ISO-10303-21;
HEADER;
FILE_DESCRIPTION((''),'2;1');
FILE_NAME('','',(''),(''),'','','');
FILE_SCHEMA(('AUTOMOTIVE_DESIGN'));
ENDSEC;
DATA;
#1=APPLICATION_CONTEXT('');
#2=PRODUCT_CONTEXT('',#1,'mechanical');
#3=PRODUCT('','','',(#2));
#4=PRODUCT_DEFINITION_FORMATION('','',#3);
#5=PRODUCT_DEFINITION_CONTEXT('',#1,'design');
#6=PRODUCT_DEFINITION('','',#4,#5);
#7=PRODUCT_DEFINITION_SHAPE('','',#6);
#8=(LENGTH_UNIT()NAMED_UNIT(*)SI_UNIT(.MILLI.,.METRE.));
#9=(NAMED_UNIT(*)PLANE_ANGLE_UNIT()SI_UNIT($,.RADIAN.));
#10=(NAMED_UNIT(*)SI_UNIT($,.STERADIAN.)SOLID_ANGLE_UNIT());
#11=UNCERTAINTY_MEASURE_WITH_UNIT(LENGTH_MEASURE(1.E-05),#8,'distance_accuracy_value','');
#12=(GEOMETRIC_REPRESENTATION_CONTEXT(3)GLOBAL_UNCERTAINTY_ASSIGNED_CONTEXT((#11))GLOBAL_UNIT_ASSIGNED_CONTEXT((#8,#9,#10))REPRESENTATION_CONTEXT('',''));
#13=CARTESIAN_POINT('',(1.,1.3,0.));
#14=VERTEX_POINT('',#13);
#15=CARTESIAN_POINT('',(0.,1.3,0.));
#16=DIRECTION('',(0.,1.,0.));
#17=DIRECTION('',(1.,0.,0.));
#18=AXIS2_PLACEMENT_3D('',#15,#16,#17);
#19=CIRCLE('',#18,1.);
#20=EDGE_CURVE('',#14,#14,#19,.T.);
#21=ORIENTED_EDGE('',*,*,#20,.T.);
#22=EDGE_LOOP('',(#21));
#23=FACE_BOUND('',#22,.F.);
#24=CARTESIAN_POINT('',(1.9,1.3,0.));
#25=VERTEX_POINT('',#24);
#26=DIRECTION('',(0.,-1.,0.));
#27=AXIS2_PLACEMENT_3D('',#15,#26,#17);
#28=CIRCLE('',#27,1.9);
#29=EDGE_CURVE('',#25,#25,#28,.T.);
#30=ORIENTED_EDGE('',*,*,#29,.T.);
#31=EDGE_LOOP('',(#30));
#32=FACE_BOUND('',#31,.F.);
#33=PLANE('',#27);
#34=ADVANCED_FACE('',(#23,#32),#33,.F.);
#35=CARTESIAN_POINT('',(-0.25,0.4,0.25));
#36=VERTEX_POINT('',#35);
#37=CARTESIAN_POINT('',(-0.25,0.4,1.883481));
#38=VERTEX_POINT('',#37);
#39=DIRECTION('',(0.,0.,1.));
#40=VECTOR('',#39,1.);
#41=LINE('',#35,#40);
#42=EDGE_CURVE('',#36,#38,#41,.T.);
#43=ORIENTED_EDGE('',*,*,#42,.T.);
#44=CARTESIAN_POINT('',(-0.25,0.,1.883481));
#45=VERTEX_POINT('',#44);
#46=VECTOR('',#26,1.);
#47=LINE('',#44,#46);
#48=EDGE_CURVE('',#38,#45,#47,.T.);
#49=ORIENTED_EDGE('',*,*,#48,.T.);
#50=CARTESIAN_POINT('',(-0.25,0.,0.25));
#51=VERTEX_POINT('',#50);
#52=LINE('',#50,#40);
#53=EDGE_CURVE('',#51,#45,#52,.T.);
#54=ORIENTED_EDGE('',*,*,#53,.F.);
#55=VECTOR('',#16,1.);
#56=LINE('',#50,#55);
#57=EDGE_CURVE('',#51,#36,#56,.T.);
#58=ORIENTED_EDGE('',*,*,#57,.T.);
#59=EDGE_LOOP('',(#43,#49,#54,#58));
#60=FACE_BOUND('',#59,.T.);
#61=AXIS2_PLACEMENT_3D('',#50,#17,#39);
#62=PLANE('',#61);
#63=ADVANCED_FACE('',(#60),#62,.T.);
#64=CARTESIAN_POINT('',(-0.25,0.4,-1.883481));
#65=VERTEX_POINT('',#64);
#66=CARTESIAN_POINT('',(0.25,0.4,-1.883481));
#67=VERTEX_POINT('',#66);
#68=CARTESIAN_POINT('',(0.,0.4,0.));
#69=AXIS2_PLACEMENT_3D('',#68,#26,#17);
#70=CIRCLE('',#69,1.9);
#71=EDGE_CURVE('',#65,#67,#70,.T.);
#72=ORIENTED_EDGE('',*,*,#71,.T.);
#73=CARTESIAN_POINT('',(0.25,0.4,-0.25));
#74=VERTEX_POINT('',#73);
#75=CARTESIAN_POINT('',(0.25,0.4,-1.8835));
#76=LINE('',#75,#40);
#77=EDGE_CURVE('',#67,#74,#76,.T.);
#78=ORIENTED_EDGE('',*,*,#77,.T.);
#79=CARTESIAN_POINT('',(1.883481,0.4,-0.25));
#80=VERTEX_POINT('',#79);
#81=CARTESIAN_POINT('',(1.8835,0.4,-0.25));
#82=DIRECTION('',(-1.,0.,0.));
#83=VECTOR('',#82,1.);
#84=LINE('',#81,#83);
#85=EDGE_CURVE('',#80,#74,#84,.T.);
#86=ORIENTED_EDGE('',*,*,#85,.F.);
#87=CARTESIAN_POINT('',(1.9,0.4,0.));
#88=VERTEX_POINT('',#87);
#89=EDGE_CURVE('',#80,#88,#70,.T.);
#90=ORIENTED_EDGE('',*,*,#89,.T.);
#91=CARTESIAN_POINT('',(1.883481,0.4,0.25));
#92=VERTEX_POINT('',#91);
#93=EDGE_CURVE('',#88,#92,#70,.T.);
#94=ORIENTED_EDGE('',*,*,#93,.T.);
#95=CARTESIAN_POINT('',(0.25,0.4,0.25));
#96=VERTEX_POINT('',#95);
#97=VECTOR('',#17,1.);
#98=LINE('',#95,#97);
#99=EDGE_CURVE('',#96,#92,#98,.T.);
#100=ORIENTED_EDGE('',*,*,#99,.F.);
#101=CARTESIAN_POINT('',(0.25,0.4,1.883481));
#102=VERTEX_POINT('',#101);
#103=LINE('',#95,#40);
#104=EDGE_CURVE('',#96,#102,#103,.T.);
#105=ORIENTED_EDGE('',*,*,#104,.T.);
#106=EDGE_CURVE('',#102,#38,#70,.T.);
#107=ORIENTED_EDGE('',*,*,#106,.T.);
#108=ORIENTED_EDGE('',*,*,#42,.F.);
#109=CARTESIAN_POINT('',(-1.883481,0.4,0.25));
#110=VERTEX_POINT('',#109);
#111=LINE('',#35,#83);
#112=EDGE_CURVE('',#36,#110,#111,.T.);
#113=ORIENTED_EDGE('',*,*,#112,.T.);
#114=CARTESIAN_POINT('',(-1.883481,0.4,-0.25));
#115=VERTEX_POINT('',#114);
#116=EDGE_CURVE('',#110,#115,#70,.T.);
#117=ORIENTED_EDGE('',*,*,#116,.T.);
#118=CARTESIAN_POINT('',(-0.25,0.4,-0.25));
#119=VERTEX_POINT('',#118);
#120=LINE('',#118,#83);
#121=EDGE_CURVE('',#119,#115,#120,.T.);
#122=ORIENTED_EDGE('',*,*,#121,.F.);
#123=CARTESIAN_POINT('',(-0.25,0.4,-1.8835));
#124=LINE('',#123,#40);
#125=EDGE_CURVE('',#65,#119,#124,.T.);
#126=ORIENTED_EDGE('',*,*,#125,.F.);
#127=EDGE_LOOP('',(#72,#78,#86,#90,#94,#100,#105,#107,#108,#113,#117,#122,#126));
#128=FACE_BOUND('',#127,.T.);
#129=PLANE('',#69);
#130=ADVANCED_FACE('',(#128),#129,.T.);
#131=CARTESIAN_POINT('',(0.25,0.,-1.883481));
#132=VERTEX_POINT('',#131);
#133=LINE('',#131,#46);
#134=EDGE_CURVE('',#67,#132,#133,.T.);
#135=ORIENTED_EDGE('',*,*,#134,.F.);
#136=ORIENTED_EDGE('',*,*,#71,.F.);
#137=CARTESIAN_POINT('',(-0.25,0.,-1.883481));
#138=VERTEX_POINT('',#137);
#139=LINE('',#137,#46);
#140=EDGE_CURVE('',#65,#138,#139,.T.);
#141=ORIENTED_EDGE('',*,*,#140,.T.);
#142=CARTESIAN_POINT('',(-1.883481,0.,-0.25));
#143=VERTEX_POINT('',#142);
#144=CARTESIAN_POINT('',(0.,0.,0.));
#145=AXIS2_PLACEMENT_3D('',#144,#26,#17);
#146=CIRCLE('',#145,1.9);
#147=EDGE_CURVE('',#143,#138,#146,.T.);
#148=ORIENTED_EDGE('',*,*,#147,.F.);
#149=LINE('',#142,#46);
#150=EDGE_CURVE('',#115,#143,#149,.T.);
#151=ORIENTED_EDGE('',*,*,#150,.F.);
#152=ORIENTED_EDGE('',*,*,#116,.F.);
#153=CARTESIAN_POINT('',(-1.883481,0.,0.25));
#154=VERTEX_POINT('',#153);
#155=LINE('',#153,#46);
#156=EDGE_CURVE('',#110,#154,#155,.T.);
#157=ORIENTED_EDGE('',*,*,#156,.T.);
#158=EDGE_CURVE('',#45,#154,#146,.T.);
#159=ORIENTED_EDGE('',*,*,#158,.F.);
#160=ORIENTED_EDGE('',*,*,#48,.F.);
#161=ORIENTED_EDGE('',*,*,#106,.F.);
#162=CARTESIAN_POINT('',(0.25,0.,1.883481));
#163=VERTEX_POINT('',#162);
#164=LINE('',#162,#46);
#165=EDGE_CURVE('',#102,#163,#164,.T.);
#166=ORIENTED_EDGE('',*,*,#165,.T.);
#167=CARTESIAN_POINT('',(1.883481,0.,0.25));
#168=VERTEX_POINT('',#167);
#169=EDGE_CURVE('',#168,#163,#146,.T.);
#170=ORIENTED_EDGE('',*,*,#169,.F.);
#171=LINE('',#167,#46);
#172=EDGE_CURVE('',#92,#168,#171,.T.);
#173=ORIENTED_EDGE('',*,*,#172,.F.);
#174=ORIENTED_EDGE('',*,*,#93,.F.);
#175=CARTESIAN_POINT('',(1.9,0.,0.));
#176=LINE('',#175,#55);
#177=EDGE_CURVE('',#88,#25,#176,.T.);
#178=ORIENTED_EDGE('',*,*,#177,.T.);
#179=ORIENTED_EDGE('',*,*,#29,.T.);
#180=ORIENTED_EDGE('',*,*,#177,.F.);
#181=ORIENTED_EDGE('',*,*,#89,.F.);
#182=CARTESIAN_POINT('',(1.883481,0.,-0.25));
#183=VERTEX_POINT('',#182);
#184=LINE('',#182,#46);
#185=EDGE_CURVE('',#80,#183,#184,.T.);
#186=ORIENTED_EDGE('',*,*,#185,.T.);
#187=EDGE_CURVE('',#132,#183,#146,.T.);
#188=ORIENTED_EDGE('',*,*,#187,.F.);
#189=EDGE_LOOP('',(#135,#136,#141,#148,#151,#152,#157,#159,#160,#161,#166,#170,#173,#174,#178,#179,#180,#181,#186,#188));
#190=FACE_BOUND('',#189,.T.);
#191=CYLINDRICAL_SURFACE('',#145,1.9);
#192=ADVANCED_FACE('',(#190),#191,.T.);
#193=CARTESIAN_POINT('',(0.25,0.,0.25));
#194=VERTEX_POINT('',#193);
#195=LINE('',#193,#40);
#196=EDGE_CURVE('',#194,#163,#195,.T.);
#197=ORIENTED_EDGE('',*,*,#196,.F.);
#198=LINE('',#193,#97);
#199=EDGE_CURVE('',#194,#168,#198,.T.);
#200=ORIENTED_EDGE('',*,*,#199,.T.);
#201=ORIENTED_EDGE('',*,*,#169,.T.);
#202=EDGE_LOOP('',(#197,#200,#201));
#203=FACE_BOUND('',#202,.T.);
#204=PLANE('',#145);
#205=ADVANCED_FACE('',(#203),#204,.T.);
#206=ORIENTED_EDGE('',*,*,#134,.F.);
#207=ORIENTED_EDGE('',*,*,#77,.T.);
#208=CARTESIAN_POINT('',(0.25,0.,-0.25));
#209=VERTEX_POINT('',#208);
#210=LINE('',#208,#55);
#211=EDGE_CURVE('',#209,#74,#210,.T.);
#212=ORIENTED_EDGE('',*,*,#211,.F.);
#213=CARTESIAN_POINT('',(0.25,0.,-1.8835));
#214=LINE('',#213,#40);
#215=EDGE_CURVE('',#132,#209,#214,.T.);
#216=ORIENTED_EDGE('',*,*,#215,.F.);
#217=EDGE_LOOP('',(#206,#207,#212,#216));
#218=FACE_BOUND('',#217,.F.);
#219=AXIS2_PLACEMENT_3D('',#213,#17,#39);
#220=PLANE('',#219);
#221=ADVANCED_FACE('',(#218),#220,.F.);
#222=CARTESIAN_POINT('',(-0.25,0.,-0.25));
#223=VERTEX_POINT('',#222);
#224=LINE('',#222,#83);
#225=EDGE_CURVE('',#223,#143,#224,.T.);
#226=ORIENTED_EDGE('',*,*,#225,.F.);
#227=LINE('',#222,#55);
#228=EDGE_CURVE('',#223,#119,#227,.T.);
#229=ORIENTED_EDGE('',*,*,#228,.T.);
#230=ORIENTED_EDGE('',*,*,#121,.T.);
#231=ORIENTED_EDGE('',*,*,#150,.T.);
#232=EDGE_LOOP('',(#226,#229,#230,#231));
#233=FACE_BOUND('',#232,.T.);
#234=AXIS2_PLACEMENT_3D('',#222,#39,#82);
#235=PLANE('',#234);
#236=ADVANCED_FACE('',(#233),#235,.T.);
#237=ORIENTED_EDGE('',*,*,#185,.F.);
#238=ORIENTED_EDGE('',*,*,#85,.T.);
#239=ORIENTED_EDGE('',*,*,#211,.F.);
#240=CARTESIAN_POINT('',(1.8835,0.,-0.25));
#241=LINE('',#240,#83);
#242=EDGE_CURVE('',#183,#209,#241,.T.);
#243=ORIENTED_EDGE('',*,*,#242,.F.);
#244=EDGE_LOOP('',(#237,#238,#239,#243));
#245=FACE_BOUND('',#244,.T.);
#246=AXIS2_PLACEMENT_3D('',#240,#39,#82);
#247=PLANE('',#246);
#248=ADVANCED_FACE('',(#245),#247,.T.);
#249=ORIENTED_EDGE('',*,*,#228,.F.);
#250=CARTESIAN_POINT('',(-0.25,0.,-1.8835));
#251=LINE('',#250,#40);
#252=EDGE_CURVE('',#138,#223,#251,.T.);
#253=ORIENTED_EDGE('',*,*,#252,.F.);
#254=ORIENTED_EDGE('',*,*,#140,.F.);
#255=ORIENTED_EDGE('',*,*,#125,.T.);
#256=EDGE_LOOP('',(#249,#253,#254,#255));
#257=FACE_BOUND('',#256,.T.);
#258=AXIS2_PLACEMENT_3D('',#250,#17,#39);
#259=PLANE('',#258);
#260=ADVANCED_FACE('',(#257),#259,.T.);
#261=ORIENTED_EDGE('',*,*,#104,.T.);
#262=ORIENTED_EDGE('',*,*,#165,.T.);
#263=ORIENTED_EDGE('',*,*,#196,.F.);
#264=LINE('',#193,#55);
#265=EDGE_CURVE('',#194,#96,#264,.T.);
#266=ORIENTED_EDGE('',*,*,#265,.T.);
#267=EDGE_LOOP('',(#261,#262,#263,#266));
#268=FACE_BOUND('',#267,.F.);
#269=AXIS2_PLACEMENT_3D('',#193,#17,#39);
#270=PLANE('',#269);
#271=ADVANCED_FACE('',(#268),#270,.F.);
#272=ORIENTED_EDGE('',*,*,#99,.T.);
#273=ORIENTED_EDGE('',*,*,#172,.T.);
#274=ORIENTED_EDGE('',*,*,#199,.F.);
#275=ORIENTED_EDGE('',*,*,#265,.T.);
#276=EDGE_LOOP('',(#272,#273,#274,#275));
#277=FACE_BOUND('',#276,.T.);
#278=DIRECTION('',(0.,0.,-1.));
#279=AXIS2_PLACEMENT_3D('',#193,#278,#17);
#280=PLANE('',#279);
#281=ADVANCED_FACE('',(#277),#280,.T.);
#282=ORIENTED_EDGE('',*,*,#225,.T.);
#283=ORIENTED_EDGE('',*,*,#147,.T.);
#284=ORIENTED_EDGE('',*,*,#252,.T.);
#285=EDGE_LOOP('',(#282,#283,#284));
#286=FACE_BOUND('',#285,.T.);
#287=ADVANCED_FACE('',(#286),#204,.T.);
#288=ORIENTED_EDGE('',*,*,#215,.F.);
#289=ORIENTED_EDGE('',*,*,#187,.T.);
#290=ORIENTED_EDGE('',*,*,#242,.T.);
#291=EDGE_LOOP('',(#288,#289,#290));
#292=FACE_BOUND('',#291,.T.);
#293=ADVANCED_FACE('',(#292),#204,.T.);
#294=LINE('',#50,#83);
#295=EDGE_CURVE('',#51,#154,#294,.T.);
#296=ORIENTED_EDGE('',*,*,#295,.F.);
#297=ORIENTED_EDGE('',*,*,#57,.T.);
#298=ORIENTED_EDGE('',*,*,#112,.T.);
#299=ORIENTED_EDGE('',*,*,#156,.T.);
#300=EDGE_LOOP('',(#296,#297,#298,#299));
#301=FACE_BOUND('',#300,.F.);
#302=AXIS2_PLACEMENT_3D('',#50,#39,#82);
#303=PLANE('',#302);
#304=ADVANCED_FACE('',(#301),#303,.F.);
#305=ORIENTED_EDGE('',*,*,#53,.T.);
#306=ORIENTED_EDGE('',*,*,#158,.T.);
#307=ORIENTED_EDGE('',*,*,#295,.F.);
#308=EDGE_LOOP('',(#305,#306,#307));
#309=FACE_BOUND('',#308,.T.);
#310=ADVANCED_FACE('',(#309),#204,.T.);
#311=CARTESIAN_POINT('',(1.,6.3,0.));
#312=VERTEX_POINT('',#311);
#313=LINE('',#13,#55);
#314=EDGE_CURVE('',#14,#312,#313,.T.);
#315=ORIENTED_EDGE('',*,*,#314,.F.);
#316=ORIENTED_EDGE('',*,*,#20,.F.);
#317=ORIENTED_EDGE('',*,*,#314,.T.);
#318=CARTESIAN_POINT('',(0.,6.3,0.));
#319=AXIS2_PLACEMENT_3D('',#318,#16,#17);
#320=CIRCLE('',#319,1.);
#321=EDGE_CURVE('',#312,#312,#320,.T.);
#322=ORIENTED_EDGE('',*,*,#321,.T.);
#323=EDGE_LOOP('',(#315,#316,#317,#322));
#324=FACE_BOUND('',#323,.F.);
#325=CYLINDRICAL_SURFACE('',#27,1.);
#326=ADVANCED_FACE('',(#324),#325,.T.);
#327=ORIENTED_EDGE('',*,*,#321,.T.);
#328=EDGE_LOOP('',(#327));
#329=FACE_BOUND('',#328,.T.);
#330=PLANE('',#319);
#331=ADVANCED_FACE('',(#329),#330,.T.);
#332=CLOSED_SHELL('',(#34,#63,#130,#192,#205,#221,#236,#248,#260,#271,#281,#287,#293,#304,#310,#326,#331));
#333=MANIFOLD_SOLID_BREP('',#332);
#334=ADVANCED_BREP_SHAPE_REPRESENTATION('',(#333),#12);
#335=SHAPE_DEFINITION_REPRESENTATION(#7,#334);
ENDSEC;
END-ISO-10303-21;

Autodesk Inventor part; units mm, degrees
ref_plane "Work Plane4" through (0, 0, 0) normal (0, -1, 0) x (1, 0, 0)
sketch "Sketch2" plane through (0, 0, 0) normal (0, -1, 0) x (1, 0, 0)
  circle A0 centre (0, 0) radius 1.9
  dimension "d34" = 3.8
extrude "Extrusion4" add sketch "Sketch2" against normal blind 1.3
ref_plane "Work Plane2" through (0, 0, 0) normal (0, -1, 0) x (1, 0, 0)
sketch "Sketch4" plane through (0, 0, 0) normal (0, -1, 0) x (1, 0, 0)
  arc A0 (-0.25, -1.8835) -> (0.25, -1.8835) centre (0, 0) ccw
  arc A1 (0.25, 1.8835) -> (-0.25, 1.8835) centre (0, 0) ccw
  line L0 (0.25, 0.25) -> (1.8835, 0.25)
  line L1 (-0.25, 0.25) -> (-1.8835, 0.25)
  arc A2 (-0.25, -1.8835) -> (0.25, -1.8835) centre (0, 0) ccw
  arc A3 (1.8835, -0.25) -> (1.8835, 0.25) centre (0, 0) ccw
  arc A4 (0.25, 1.8835) -> (-0.25, 1.8835) centre (0, 0) ccw
  arc A5 (-1.8835, 0.25) -> (-1.8835, -0.25) centre (0, 0) ccw
  line L2 (1.8835, -0.25) -> (0.25, -0.25)
  line L3 (-0.25, -0.25) -> (-1.8835, -0.25)
  line L4 (-0.25, -1.8835) -> (-0.25, -0.25)
  line L5 (-0.25, 0.25) -> (-0.25, 1.8835)
  line L6 (0.25, -1.8835) -> (0.25, -0.25)
  line L7 (0.25, 0.25) -> (0.25, 1.8835)
extrude "Extrusion5" cut sketch "Sketch4" against normal blind 0.4
ref_plane "Work Plane5" through (0, 1.6, 0) normal (0, 1, 0) x (1, 0, 0)
ref_plane "Work Plane6" through (0, 1.3, 0) normal (0, 1, 0) x (1, 0, 0)
sketch "Sketch6" plane through (0, 1.3, 0) normal (0, 1, 0) x (1, 0, 0)
  circle A0 centre (0, 0) radius 1
  dimension "d35" = 2
extrude "Extrusion7" add sketch "Sketch6" along normal blind 5
thread "Thread4" size "M2x0.4" class "6g" standard "ANSI Metric M Profile" full length
properties part number "M2x6_D963"
